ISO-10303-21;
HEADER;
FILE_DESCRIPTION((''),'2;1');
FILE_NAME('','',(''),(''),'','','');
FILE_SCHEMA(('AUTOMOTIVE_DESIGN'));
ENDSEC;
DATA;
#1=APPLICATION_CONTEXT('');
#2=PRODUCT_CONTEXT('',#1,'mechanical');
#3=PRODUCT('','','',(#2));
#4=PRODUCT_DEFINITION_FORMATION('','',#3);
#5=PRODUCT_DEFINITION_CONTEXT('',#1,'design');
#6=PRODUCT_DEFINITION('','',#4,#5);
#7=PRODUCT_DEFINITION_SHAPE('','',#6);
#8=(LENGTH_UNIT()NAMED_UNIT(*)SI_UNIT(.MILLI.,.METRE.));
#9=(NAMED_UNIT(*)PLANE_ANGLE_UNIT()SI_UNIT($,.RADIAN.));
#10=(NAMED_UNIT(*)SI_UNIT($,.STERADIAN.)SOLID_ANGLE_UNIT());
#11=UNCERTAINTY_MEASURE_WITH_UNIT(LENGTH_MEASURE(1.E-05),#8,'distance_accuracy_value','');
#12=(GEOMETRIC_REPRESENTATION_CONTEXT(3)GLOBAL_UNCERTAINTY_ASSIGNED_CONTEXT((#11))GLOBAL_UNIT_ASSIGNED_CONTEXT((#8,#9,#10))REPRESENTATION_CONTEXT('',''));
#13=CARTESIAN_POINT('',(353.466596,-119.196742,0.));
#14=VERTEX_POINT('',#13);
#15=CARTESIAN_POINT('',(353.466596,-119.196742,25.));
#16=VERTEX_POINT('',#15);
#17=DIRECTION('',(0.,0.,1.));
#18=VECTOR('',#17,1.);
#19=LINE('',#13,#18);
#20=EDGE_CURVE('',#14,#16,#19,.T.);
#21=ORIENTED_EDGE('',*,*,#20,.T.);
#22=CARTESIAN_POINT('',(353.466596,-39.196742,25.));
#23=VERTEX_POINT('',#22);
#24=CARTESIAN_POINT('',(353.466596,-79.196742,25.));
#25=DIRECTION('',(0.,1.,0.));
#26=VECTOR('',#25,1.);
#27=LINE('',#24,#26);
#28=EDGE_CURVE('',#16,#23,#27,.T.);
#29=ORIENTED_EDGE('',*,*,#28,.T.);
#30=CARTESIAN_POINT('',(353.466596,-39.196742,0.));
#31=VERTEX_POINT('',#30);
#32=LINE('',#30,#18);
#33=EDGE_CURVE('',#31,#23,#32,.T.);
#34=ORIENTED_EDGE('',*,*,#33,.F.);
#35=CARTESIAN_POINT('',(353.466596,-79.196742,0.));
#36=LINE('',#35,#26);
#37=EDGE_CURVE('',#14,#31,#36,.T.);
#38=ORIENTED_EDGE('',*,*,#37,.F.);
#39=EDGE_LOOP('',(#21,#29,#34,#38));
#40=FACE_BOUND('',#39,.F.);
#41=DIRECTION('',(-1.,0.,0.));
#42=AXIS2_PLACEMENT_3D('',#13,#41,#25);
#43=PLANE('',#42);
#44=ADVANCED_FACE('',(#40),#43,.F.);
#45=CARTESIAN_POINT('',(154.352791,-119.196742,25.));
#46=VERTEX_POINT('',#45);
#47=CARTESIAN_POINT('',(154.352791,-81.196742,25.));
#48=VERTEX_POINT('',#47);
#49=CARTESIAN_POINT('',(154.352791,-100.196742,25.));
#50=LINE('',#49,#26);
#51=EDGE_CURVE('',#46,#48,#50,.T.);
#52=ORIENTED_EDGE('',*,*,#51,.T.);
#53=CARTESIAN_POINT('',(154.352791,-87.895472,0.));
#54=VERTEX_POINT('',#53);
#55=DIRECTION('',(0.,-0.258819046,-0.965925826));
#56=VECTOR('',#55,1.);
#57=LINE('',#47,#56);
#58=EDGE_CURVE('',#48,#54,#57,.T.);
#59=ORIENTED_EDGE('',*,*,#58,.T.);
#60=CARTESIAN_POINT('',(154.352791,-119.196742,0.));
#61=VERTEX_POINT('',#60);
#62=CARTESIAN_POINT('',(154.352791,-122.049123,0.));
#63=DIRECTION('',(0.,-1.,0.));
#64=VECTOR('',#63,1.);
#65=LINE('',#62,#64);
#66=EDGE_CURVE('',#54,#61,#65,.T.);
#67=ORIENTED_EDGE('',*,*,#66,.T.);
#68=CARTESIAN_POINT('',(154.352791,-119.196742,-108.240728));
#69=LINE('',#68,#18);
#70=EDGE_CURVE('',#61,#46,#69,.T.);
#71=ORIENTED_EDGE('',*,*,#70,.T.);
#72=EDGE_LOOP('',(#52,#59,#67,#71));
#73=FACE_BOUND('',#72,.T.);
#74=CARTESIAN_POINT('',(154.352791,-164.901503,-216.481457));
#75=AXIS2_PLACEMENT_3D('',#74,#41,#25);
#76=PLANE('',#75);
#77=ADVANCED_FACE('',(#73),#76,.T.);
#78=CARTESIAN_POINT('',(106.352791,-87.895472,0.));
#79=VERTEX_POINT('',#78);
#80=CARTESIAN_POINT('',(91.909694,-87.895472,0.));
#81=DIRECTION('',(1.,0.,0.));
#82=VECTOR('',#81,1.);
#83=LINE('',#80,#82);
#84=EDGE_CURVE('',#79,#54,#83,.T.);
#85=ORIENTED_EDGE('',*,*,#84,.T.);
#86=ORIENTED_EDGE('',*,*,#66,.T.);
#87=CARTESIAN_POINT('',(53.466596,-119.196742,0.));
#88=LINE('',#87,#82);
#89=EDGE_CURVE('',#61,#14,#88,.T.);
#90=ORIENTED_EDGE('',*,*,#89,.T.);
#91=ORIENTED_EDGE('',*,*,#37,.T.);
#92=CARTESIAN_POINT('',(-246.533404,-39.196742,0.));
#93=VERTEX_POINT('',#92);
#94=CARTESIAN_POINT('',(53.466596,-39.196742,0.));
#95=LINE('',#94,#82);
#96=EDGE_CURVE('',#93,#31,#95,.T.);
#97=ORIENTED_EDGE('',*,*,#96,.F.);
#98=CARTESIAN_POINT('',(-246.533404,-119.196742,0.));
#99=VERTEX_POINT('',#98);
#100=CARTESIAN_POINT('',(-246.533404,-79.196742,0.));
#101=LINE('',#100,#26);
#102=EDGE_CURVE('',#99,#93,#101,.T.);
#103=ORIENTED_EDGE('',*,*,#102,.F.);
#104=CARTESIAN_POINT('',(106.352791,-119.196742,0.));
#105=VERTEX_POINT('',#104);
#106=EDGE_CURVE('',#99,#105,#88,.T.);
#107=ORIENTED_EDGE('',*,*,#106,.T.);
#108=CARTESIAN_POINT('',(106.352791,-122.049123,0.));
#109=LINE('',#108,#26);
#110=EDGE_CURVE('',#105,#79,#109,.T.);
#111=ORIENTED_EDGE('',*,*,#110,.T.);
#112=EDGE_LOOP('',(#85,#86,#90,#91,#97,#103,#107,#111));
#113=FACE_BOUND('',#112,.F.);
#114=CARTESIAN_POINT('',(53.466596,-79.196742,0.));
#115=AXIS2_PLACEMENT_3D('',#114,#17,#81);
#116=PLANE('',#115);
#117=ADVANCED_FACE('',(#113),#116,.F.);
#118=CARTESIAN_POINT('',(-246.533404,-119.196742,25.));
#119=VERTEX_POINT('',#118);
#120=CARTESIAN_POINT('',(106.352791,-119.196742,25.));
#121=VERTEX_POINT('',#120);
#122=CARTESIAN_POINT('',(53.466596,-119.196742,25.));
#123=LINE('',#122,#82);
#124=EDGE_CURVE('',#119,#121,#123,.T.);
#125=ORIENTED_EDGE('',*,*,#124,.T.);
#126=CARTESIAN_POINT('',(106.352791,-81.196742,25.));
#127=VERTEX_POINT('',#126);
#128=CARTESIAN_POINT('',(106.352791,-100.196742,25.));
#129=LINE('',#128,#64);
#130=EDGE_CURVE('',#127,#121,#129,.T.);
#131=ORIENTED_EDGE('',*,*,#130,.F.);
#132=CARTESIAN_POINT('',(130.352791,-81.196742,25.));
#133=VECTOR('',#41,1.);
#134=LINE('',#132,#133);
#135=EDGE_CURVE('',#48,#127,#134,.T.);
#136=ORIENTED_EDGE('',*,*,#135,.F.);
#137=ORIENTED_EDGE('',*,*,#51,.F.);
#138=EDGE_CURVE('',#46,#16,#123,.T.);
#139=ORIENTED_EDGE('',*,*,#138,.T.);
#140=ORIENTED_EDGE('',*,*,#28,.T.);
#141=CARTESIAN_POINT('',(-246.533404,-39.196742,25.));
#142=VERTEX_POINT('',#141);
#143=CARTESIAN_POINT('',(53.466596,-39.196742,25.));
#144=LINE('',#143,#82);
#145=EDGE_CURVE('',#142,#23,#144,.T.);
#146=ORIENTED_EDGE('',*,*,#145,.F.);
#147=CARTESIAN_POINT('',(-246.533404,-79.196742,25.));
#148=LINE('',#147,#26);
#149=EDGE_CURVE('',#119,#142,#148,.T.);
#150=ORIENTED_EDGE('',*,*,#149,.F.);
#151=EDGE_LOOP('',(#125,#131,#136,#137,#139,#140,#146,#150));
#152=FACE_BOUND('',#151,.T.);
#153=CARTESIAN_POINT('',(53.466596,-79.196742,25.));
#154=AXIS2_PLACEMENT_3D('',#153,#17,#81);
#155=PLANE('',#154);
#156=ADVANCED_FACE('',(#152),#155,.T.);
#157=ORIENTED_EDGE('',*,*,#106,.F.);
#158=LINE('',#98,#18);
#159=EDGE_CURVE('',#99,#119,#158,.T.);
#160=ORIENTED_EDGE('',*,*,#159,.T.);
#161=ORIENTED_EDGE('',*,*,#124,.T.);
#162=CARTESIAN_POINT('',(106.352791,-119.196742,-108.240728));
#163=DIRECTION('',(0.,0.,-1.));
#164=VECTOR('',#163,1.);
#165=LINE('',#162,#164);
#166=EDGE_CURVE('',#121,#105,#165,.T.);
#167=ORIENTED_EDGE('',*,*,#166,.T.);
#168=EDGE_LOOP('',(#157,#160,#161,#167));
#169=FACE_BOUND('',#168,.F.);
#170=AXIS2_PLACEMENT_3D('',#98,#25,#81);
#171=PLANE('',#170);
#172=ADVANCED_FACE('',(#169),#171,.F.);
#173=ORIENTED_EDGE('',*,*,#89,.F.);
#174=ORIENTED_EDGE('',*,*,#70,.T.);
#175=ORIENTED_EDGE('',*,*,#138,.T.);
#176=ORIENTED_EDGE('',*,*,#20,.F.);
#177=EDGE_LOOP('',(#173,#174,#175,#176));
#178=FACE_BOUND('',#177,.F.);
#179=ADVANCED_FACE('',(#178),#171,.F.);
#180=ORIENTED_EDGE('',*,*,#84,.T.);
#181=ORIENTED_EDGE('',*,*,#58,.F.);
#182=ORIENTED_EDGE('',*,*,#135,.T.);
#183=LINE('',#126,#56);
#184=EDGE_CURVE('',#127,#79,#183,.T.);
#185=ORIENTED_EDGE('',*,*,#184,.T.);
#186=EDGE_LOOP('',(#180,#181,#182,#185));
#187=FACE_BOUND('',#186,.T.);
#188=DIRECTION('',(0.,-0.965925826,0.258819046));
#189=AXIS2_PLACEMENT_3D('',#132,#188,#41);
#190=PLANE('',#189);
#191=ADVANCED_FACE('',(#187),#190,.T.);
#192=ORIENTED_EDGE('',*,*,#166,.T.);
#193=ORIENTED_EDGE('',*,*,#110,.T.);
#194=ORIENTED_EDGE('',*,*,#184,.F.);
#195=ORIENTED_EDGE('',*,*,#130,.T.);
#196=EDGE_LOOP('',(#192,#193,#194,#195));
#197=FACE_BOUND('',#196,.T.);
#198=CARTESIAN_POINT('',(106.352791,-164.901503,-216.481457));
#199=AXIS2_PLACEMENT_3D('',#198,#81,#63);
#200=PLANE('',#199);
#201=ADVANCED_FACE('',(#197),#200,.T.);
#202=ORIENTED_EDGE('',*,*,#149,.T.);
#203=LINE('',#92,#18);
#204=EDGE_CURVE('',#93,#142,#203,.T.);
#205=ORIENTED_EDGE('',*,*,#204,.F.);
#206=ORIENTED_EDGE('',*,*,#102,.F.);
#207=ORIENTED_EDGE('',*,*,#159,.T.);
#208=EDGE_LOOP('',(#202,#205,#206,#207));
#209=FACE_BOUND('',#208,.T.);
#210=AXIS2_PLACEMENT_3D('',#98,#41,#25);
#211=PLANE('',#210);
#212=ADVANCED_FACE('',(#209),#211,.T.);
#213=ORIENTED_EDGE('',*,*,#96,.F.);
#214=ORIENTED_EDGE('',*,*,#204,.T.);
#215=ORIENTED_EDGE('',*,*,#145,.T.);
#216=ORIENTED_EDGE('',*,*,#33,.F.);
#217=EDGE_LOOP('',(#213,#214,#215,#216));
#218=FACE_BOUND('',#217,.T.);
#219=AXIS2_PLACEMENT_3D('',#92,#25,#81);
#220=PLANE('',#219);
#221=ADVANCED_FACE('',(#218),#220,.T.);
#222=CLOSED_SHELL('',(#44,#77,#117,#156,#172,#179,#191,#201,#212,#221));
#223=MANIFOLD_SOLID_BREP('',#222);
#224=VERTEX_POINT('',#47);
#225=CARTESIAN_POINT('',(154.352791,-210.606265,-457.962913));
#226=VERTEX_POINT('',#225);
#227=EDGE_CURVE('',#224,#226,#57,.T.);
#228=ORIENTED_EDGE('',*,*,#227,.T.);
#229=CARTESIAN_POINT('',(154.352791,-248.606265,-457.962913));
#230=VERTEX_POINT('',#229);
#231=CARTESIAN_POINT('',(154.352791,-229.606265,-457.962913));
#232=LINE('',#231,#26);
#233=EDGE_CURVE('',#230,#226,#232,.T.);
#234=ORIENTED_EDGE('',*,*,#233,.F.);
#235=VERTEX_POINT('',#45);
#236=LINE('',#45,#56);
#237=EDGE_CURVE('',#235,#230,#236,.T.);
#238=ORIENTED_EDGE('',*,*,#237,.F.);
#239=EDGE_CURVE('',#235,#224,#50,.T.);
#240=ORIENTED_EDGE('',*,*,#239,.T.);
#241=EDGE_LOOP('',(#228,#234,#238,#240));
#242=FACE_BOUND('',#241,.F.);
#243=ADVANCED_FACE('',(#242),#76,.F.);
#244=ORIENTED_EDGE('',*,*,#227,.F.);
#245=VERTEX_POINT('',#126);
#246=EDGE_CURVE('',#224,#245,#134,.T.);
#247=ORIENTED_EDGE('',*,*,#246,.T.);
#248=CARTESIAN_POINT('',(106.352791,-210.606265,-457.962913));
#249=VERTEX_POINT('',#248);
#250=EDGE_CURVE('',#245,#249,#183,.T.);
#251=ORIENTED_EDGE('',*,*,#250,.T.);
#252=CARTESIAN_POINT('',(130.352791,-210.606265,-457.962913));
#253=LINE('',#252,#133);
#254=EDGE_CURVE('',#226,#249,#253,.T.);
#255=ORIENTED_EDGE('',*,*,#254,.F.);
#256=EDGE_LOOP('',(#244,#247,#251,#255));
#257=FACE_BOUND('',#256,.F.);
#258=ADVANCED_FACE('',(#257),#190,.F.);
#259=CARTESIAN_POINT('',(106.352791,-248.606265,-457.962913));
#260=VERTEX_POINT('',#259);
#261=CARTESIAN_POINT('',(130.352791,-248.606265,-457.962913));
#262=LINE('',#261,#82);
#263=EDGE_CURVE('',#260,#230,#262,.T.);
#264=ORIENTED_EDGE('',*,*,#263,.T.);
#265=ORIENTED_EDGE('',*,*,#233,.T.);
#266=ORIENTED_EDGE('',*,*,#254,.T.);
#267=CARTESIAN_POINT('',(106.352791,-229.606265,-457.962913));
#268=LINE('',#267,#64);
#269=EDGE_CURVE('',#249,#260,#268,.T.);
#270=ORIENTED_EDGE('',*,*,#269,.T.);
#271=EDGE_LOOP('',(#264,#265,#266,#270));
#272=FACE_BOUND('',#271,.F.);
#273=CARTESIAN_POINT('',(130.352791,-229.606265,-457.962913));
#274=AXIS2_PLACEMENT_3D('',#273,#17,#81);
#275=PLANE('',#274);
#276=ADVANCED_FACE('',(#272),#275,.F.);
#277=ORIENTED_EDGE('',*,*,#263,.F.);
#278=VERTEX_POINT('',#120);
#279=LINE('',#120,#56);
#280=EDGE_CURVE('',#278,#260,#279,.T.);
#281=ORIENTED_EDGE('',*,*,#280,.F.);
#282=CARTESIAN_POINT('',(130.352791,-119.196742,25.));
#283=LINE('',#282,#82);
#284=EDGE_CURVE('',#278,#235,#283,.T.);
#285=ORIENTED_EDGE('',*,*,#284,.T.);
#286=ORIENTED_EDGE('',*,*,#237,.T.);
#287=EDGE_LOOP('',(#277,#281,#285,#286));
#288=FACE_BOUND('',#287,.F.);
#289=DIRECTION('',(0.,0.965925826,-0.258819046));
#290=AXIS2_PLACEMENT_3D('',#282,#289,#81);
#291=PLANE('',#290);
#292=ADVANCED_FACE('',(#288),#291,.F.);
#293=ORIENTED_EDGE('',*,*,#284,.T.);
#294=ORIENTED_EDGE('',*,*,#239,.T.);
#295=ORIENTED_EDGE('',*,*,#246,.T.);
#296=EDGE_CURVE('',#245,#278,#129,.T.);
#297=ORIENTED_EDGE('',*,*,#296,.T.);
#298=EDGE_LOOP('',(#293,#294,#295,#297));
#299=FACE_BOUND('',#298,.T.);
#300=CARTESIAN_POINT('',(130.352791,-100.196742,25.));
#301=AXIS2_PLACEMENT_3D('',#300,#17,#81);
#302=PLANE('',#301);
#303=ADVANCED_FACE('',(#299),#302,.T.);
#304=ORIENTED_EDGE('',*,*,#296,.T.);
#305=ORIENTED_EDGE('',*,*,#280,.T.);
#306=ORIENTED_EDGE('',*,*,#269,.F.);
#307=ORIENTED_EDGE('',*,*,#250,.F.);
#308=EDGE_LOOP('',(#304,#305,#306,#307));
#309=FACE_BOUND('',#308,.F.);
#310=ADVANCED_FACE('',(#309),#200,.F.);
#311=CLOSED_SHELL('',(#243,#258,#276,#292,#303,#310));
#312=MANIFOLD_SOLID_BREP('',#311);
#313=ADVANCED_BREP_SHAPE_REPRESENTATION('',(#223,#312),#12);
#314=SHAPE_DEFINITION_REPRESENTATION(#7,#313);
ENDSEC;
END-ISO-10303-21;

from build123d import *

# Parameters (mm, degrees)
F0_W     = 600
F0_H     = 80
F1_DEPTH = 25
F2_W     = 48
F2_H     = 38


with BuildPart() as f1:
    # F0 (on Top) → F1 (new body)
    with BuildSketch(Plane.XY):
        with Locations((53.466596, -79.196742)):
            Rectangle(F0_W, F0_H)
    extrude(amount=F1_DEPTH)


with BuildPart() as f4:
    # F4: sweep along a path in F6
    with BuildLine(Plane.YZ.offset(106.352791)) as f4_path:
        Line((-119.196742, 25), (-248.606265, -457.962913))
    # F2 (on face) → F4 (sweep)
    with BuildSketch(Plane.XY.offset(25)):
        with Locations((130.352791, -100.196742)):
            Rectangle(F2_W, F2_H)
    sweep(path=f4_path.line)


with BuildPart() as f1_1:
    add(f1.part)

    # F5: cut F4
    add(f4.part, mode=Mode.SUBTRACT)


solid = Compound([f4.part, f1_1.part])
